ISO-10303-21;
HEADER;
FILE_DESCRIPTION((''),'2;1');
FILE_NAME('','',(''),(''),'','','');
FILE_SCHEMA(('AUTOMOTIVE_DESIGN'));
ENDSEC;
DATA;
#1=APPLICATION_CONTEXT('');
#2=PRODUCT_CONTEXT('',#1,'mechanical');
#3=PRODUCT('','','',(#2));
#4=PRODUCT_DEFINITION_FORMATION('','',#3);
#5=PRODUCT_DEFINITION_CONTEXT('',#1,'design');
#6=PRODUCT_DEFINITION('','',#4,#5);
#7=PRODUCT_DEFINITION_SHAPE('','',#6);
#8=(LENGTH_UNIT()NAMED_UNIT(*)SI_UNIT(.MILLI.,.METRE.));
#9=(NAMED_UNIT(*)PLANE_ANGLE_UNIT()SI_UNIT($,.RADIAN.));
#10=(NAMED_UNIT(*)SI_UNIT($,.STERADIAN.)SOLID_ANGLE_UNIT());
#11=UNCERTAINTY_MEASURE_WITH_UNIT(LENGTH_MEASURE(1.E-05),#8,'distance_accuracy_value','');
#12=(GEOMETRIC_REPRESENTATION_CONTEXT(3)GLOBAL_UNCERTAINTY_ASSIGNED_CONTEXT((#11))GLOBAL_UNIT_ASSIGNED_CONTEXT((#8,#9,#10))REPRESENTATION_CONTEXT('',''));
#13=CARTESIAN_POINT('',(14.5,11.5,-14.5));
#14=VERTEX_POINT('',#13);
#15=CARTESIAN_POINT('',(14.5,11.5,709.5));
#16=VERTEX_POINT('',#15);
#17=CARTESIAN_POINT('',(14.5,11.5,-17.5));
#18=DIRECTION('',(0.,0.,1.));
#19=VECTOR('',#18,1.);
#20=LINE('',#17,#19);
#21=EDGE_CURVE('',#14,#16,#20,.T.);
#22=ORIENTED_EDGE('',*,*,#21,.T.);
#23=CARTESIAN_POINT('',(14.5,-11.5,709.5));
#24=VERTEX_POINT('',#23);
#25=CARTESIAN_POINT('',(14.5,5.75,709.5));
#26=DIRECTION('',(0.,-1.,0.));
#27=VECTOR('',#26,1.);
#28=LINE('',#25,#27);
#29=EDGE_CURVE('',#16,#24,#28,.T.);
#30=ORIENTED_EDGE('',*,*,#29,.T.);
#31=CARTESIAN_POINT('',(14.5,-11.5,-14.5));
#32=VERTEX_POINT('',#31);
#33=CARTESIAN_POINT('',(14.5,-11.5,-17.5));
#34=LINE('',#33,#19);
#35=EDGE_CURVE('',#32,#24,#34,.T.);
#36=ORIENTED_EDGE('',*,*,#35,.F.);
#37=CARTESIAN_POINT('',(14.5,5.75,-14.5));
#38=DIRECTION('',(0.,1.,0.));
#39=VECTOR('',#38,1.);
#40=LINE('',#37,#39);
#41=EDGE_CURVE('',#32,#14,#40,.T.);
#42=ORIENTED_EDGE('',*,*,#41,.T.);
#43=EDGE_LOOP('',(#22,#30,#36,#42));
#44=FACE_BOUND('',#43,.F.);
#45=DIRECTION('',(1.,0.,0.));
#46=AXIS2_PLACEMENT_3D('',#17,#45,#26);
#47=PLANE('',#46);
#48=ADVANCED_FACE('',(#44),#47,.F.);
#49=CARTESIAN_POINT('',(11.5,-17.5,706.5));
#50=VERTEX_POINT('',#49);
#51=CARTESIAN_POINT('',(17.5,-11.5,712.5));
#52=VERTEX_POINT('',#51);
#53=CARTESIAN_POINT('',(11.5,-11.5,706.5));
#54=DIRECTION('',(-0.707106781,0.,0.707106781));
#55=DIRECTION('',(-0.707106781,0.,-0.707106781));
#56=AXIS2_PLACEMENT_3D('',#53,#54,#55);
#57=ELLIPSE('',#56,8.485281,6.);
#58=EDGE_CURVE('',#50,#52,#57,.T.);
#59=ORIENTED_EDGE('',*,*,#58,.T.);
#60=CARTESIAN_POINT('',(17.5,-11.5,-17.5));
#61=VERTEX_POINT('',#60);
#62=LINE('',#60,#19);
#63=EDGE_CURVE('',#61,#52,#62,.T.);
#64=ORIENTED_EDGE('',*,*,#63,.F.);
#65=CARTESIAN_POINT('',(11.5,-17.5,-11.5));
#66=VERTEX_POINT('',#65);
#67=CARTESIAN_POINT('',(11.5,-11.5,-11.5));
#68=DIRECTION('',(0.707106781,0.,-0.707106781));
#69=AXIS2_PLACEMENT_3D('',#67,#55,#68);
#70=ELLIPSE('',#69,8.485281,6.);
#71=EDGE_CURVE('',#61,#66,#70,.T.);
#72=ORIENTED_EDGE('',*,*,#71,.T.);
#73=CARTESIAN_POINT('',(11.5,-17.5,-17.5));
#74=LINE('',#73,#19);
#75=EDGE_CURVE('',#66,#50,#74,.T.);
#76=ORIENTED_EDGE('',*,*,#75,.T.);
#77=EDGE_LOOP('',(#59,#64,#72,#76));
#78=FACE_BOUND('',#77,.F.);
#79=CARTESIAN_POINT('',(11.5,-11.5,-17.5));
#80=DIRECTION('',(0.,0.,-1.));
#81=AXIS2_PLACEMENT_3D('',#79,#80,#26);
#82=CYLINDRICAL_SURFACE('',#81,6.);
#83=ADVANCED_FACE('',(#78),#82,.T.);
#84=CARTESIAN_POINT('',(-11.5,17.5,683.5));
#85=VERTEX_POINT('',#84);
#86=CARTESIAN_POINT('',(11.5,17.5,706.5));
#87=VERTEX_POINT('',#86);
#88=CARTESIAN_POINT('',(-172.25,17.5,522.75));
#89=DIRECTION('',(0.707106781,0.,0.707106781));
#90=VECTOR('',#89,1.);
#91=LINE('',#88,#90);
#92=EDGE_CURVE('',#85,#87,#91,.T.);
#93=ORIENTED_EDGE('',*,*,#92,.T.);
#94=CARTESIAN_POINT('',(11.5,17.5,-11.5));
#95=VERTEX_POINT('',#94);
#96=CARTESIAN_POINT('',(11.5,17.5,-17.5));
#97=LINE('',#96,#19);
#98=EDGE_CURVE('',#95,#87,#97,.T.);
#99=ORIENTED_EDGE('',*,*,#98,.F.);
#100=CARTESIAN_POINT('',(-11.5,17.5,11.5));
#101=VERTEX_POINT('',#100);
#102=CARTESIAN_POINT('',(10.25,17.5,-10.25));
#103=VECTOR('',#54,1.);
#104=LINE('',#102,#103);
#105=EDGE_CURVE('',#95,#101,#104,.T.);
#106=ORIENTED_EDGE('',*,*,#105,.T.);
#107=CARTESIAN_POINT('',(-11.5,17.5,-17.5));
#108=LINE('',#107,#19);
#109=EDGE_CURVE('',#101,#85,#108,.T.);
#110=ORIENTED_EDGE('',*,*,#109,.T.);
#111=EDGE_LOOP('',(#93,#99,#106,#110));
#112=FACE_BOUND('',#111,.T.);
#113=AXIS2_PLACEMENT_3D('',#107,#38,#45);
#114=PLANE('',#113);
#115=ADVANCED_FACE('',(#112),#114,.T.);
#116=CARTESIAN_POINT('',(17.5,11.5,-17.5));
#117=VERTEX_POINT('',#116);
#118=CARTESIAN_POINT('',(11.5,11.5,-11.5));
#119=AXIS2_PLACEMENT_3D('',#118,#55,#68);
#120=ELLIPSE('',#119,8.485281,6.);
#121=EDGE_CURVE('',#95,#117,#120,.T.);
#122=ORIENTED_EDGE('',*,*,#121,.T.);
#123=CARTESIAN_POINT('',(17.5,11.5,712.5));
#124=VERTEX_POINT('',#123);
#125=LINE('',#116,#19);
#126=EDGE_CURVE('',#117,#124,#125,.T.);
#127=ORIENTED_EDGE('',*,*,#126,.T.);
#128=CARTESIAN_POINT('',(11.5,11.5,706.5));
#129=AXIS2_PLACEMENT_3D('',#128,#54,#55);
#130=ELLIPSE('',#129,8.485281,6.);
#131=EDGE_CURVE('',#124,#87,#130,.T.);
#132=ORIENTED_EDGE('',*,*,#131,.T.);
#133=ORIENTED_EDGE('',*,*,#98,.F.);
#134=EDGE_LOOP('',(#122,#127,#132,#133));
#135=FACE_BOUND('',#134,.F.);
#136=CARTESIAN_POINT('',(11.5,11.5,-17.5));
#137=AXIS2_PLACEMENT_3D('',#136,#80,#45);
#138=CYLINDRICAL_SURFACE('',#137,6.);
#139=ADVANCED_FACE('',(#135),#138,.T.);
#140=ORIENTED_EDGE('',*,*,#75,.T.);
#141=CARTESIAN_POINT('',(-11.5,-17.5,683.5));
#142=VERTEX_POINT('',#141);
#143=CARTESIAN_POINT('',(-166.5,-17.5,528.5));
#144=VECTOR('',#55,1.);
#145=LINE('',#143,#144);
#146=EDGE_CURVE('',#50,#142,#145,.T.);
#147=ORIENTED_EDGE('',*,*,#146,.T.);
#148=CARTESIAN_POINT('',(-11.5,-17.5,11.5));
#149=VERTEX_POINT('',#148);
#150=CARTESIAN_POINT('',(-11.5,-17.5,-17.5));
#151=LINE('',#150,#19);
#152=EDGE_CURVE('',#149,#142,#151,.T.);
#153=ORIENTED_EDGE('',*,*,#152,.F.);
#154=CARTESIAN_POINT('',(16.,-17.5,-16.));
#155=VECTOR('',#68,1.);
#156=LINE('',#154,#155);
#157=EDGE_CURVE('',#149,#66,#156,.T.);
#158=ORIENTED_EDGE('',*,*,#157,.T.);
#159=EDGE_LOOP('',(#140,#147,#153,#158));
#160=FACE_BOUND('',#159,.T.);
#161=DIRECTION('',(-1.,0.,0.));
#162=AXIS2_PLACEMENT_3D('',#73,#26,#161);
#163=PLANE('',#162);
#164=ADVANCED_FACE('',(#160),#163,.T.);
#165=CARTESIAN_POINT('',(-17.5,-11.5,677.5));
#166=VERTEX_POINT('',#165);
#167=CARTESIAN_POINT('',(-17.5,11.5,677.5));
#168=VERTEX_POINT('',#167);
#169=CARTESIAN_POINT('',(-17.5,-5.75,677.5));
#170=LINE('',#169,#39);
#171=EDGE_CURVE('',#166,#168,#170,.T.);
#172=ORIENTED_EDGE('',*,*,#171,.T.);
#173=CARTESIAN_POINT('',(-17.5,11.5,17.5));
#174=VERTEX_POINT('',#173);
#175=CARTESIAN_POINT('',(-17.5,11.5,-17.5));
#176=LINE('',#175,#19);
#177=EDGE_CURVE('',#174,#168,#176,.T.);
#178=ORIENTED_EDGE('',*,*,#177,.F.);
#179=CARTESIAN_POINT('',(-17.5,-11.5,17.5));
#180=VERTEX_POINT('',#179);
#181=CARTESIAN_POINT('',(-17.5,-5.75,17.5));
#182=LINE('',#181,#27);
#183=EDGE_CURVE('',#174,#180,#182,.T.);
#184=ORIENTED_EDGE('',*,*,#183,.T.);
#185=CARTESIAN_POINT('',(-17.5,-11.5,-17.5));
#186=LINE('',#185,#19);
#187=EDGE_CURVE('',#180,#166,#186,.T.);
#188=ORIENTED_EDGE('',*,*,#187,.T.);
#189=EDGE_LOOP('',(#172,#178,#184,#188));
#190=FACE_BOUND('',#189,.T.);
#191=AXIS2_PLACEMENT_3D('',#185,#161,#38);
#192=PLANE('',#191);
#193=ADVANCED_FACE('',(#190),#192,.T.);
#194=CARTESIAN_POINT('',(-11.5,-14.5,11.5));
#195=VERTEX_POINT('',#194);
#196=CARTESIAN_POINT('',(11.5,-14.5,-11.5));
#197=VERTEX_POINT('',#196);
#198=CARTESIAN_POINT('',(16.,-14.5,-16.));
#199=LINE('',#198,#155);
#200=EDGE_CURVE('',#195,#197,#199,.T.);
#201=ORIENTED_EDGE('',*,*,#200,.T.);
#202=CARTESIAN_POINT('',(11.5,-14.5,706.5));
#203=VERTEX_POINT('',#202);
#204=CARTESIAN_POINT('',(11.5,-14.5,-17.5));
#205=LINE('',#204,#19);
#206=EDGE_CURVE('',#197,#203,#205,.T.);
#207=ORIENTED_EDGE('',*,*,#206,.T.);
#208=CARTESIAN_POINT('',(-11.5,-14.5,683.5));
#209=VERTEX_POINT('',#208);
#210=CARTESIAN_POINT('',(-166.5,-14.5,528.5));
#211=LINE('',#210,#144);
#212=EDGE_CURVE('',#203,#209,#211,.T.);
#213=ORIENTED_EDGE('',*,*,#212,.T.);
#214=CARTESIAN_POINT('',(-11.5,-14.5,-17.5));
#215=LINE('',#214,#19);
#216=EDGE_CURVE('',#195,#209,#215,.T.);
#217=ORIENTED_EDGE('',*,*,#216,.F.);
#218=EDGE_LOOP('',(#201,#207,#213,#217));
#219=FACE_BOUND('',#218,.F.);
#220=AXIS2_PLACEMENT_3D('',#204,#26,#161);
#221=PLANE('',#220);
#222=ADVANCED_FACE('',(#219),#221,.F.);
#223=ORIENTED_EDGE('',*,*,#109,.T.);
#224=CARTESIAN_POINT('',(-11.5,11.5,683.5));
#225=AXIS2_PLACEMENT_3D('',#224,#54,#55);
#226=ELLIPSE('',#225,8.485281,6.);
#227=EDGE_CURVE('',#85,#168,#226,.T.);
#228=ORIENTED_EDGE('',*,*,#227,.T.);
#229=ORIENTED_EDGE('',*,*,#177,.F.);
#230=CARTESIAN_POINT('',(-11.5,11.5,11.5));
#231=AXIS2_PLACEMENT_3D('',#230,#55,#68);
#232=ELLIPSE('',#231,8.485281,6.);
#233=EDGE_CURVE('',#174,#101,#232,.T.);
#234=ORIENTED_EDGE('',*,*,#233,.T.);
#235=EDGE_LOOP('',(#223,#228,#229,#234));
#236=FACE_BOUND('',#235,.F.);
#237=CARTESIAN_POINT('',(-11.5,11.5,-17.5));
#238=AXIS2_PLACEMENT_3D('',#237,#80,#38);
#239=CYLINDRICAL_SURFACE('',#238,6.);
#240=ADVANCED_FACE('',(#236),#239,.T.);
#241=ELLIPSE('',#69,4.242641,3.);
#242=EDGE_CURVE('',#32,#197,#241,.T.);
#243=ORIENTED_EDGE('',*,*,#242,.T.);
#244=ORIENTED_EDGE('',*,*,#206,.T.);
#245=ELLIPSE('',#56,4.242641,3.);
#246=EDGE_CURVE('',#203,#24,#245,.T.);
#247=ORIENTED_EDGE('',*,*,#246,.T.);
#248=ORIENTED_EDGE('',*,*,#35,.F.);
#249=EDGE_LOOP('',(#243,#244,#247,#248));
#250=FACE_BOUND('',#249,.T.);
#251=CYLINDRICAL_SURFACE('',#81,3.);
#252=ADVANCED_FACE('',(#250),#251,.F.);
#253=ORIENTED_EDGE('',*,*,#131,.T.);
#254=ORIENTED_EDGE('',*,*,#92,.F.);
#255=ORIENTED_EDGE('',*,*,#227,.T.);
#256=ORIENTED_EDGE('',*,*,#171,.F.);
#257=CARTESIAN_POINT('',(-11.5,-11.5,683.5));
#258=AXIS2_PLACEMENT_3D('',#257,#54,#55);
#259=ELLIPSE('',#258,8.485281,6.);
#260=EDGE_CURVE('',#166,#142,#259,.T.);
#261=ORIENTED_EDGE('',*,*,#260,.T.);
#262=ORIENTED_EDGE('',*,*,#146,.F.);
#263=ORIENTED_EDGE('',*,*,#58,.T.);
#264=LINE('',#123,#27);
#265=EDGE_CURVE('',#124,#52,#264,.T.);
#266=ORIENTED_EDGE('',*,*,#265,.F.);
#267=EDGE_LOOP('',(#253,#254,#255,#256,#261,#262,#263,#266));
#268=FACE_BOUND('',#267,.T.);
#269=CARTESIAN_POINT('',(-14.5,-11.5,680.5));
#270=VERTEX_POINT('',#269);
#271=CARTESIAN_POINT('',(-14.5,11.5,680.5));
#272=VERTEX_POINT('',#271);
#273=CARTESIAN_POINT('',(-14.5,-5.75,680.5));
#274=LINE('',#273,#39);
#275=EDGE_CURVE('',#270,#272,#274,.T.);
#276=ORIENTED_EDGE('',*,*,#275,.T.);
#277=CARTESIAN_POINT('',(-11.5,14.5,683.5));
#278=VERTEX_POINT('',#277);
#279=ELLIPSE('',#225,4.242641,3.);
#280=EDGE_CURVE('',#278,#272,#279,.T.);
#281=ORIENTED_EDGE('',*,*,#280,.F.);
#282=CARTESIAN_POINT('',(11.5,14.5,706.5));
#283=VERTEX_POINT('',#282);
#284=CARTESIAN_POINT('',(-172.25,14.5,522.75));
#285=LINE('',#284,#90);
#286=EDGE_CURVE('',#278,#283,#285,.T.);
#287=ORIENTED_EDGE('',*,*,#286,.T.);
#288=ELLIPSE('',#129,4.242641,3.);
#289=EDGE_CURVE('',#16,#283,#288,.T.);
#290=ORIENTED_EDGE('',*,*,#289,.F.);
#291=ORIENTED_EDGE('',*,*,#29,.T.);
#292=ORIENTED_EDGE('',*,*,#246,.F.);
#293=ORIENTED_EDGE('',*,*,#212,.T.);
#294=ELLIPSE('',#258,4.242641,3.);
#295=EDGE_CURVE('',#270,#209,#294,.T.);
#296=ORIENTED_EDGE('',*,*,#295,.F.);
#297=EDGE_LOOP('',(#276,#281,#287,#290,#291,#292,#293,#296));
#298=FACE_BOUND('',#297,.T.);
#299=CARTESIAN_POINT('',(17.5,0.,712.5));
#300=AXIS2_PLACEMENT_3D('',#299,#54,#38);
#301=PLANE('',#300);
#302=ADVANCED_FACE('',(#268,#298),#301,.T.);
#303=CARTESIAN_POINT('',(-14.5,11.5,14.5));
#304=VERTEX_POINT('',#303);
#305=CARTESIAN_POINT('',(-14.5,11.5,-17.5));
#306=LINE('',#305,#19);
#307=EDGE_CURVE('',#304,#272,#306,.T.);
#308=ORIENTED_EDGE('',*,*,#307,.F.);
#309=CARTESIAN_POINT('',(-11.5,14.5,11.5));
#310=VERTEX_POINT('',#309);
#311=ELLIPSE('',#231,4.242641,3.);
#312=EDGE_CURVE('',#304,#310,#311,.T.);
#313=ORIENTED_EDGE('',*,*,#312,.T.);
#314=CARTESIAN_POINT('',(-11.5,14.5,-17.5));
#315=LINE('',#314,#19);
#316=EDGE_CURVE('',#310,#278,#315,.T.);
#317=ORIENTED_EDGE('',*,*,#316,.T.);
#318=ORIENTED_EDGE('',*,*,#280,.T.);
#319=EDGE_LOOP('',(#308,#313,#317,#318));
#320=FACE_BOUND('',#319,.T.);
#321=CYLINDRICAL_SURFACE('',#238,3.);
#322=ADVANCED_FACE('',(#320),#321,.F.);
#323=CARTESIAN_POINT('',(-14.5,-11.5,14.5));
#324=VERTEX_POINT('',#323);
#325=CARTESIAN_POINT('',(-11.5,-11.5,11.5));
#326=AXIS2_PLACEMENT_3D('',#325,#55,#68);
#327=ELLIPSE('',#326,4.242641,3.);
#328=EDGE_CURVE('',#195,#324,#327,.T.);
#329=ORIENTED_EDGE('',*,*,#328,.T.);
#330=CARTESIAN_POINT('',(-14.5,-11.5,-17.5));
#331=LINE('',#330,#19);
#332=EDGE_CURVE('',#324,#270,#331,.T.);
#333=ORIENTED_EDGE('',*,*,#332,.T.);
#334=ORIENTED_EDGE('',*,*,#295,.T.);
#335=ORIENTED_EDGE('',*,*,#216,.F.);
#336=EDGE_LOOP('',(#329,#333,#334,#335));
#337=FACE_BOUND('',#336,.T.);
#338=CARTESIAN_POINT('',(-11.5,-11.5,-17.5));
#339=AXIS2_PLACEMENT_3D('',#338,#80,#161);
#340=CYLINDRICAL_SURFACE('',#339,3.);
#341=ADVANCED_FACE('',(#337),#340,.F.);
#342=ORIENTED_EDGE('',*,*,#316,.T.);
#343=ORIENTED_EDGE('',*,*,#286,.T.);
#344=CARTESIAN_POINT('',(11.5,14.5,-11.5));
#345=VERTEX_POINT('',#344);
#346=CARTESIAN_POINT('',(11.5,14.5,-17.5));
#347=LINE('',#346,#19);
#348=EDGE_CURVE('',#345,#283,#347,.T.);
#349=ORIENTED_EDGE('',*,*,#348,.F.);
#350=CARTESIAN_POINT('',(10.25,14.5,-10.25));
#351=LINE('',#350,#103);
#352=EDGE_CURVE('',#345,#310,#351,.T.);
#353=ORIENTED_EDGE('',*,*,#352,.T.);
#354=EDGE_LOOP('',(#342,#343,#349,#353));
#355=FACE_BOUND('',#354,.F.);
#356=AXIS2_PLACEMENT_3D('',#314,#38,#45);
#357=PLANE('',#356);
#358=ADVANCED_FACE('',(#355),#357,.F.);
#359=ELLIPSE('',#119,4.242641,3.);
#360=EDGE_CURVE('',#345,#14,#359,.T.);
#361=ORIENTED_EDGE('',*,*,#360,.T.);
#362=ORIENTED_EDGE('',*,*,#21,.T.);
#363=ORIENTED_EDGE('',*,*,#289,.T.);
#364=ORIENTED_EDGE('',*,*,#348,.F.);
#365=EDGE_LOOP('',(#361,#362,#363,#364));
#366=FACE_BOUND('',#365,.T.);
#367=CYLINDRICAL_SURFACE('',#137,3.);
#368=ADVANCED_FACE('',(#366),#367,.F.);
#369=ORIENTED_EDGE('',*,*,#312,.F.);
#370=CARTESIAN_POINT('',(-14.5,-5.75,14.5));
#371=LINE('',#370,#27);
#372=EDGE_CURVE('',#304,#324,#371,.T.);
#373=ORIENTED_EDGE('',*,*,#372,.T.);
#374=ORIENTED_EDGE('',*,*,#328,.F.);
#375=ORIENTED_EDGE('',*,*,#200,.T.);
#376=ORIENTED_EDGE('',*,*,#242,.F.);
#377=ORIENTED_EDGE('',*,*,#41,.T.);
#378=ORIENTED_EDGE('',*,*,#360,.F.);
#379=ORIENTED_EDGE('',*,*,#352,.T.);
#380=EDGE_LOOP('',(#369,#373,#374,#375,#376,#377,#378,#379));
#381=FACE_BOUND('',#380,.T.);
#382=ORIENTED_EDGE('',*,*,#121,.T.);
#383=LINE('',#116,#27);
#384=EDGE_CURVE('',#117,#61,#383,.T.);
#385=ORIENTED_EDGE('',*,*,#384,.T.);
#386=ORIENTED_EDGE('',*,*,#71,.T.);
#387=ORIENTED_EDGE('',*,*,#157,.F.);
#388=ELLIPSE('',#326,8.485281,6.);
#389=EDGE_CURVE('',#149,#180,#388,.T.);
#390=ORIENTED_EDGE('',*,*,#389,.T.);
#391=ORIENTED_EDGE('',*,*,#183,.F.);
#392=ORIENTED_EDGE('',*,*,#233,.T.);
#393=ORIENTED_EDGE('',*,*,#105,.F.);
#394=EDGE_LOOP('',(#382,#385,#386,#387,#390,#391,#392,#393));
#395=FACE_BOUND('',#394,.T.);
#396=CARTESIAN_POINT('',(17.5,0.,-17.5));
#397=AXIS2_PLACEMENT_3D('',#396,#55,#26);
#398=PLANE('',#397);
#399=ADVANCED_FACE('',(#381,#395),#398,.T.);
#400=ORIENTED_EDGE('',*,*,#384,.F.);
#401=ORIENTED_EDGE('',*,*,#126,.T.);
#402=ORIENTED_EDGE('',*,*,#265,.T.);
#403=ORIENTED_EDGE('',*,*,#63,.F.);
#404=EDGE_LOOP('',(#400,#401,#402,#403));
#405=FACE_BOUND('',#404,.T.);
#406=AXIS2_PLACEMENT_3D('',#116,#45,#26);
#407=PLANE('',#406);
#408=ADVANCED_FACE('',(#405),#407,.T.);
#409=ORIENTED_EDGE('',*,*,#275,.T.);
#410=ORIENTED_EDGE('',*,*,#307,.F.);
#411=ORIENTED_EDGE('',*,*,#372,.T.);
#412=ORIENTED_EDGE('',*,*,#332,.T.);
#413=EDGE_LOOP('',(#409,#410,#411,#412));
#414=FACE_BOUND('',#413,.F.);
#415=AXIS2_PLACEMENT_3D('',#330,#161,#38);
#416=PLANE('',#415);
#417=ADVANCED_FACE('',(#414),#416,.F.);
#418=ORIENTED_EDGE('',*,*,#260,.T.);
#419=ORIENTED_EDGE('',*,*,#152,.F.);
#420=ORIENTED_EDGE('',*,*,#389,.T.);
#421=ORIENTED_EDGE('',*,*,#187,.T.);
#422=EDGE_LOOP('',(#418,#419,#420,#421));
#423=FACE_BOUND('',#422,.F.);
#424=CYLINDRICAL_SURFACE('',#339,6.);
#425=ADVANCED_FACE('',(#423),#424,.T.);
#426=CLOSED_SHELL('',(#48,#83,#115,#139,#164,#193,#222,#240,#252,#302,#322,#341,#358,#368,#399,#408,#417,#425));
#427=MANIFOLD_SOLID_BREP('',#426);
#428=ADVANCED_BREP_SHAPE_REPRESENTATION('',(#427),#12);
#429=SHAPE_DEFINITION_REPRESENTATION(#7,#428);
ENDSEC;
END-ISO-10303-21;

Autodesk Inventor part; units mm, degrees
ref_plane "Start plane" through (0, 0, -17.5) normal (0, 0, 1) x (1, 0, 0)
ref_plane "End plane" through (0, 0, 712.5) normal (0, 0, 1) x (1, 0, 0)
sketch "Sketch" plane through (0, 0, 0) normal (0, 0, 1) x (1, 0, 0)
  line L0 (-17.5, -11.5) -> (-17.5, 11.5)
  line L1 (-11.5, 17.5) -> (11.5, 17.5)
  line L2 (17.5, 11.5) -> (17.5, -11.5)
  line L3 (11.5, -17.5) -> (-11.5, -17.5)
  arc A0 (-17.5, -11.5) -> (-11.5, -17.5) centre (-11.5, -11.5) ccw
  arc A1 (-11.5, 17.5) -> (-17.5, 11.5) centre (-11.5, 11.5) ccw
  arc A2 (17.5, 11.5) -> (11.5, 17.5) centre (11.5, 11.5) ccw
  arc A3 (11.5, -17.5) -> (17.5, -11.5) centre (11.5, -11.5) ccw
  arc A4 (-11.5, 14.5) -> (-14.5, 11.5) centre (-11.5, 11.5) ccw
  line L4 (-11.5, 14.5) -> (11.5, 14.5)
  arc A5 (14.5, 11.5) -> (11.5, 14.5) centre (11.5, 11.5) ccw
  line L5 (14.5, 11.5) -> (14.5, -11.5)
  arc A6 (11.5, -14.5) -> (14.5, -11.5) centre (11.5, -11.5) ccw
  line L6 (11.5, -14.5) -> (-11.5, -14.5)
  arc A7 (-14.5, -11.5) -> (-11.5, -14.5) centre (-11.5, -11.5) ccw
  line L7 (-14.5, -11.5) -> (-14.5, 11.5)
  line L8 (0, 25.6598) -> (0, -25.6598) construction
  line L9 (-25.6598, 0) -> (25.6598, 0) construction
  dimension "d7" = 6
  dimension "d10" = 35
  dimension "d11" = 35
  dimension "d12" = 3
  dimension "d15" = 17.5
  dimension "d16" = 17.5
extrude "Body" add sketch "Sketch" along normal up to surface (730 mm away) from surface at -17.5
sketch "Sketch3" plane through (0, 0, 0) normal (0, 0, 1) x (1, 0, 0)
  line L0 (0, 0) -> (10, 0)
ref_plane "Work Plane3" through (0, 0, 0) normal (0, -1, 0) x (1, 0, 0)
sketch "Sketch4" plane through (0, 0, 0) normal (0, -1, 0) x (1, 0, 0)
  line L0 (-2, -17.5) -> (12, -17.5)
  line L1 (-2, 712.5) -> (12, 712.5)
  dimension "d18" = 730
ref_plane "Work Plane9" through (17.5, 0, -17.5) normal (-0.7071, 0, -0.7071) x (-0.7071, 0, 0.7071)
split "Split6" plane through (17.5, 0, -17.5) removes the side toward (-0.7071, 0, -0.7071)
ref_plane "Work Plane10" through (17.5, 0, 712.5) normal (-0.7071, 0, 0.7071) x (0.7071, 0, 0.7071)
split "Split7" plane through (17.5, 0, 712.5) removes the side toward (-0.7071, 0, 0.7071)
equation "\"d7\" = G_IR"
equation "\"d10\" = G_H"
equation "\"d11\" = G_W"
equation "\"d12\" = G_T"
equation "\"d15\" = 0.5 * d10"
equation "\"d16\" = 0.5 * d11"
equation "\"d3\" = G_L"
equation "\"G_W\" = 35"
equation "\"G_H\" = 35"
equation "\"G_T\" = 3"
equation "\"G_IR\" = 6"
equation "\"G_L\" = d18"
equation "\"G_OFFSET_START\" = 17.5"
equation "\"G_OFFSET_END\" = 17.5"
equation "\"d13\" = -G_OFFSET_START"
equation "\"d14\" = G_OFFSET_END + B_L"
equation "\"B_L\" = 695"
properties part number "AS 1163 - C350L0 35x35x3.0 SHS - 730" material "Steel, Mild"
